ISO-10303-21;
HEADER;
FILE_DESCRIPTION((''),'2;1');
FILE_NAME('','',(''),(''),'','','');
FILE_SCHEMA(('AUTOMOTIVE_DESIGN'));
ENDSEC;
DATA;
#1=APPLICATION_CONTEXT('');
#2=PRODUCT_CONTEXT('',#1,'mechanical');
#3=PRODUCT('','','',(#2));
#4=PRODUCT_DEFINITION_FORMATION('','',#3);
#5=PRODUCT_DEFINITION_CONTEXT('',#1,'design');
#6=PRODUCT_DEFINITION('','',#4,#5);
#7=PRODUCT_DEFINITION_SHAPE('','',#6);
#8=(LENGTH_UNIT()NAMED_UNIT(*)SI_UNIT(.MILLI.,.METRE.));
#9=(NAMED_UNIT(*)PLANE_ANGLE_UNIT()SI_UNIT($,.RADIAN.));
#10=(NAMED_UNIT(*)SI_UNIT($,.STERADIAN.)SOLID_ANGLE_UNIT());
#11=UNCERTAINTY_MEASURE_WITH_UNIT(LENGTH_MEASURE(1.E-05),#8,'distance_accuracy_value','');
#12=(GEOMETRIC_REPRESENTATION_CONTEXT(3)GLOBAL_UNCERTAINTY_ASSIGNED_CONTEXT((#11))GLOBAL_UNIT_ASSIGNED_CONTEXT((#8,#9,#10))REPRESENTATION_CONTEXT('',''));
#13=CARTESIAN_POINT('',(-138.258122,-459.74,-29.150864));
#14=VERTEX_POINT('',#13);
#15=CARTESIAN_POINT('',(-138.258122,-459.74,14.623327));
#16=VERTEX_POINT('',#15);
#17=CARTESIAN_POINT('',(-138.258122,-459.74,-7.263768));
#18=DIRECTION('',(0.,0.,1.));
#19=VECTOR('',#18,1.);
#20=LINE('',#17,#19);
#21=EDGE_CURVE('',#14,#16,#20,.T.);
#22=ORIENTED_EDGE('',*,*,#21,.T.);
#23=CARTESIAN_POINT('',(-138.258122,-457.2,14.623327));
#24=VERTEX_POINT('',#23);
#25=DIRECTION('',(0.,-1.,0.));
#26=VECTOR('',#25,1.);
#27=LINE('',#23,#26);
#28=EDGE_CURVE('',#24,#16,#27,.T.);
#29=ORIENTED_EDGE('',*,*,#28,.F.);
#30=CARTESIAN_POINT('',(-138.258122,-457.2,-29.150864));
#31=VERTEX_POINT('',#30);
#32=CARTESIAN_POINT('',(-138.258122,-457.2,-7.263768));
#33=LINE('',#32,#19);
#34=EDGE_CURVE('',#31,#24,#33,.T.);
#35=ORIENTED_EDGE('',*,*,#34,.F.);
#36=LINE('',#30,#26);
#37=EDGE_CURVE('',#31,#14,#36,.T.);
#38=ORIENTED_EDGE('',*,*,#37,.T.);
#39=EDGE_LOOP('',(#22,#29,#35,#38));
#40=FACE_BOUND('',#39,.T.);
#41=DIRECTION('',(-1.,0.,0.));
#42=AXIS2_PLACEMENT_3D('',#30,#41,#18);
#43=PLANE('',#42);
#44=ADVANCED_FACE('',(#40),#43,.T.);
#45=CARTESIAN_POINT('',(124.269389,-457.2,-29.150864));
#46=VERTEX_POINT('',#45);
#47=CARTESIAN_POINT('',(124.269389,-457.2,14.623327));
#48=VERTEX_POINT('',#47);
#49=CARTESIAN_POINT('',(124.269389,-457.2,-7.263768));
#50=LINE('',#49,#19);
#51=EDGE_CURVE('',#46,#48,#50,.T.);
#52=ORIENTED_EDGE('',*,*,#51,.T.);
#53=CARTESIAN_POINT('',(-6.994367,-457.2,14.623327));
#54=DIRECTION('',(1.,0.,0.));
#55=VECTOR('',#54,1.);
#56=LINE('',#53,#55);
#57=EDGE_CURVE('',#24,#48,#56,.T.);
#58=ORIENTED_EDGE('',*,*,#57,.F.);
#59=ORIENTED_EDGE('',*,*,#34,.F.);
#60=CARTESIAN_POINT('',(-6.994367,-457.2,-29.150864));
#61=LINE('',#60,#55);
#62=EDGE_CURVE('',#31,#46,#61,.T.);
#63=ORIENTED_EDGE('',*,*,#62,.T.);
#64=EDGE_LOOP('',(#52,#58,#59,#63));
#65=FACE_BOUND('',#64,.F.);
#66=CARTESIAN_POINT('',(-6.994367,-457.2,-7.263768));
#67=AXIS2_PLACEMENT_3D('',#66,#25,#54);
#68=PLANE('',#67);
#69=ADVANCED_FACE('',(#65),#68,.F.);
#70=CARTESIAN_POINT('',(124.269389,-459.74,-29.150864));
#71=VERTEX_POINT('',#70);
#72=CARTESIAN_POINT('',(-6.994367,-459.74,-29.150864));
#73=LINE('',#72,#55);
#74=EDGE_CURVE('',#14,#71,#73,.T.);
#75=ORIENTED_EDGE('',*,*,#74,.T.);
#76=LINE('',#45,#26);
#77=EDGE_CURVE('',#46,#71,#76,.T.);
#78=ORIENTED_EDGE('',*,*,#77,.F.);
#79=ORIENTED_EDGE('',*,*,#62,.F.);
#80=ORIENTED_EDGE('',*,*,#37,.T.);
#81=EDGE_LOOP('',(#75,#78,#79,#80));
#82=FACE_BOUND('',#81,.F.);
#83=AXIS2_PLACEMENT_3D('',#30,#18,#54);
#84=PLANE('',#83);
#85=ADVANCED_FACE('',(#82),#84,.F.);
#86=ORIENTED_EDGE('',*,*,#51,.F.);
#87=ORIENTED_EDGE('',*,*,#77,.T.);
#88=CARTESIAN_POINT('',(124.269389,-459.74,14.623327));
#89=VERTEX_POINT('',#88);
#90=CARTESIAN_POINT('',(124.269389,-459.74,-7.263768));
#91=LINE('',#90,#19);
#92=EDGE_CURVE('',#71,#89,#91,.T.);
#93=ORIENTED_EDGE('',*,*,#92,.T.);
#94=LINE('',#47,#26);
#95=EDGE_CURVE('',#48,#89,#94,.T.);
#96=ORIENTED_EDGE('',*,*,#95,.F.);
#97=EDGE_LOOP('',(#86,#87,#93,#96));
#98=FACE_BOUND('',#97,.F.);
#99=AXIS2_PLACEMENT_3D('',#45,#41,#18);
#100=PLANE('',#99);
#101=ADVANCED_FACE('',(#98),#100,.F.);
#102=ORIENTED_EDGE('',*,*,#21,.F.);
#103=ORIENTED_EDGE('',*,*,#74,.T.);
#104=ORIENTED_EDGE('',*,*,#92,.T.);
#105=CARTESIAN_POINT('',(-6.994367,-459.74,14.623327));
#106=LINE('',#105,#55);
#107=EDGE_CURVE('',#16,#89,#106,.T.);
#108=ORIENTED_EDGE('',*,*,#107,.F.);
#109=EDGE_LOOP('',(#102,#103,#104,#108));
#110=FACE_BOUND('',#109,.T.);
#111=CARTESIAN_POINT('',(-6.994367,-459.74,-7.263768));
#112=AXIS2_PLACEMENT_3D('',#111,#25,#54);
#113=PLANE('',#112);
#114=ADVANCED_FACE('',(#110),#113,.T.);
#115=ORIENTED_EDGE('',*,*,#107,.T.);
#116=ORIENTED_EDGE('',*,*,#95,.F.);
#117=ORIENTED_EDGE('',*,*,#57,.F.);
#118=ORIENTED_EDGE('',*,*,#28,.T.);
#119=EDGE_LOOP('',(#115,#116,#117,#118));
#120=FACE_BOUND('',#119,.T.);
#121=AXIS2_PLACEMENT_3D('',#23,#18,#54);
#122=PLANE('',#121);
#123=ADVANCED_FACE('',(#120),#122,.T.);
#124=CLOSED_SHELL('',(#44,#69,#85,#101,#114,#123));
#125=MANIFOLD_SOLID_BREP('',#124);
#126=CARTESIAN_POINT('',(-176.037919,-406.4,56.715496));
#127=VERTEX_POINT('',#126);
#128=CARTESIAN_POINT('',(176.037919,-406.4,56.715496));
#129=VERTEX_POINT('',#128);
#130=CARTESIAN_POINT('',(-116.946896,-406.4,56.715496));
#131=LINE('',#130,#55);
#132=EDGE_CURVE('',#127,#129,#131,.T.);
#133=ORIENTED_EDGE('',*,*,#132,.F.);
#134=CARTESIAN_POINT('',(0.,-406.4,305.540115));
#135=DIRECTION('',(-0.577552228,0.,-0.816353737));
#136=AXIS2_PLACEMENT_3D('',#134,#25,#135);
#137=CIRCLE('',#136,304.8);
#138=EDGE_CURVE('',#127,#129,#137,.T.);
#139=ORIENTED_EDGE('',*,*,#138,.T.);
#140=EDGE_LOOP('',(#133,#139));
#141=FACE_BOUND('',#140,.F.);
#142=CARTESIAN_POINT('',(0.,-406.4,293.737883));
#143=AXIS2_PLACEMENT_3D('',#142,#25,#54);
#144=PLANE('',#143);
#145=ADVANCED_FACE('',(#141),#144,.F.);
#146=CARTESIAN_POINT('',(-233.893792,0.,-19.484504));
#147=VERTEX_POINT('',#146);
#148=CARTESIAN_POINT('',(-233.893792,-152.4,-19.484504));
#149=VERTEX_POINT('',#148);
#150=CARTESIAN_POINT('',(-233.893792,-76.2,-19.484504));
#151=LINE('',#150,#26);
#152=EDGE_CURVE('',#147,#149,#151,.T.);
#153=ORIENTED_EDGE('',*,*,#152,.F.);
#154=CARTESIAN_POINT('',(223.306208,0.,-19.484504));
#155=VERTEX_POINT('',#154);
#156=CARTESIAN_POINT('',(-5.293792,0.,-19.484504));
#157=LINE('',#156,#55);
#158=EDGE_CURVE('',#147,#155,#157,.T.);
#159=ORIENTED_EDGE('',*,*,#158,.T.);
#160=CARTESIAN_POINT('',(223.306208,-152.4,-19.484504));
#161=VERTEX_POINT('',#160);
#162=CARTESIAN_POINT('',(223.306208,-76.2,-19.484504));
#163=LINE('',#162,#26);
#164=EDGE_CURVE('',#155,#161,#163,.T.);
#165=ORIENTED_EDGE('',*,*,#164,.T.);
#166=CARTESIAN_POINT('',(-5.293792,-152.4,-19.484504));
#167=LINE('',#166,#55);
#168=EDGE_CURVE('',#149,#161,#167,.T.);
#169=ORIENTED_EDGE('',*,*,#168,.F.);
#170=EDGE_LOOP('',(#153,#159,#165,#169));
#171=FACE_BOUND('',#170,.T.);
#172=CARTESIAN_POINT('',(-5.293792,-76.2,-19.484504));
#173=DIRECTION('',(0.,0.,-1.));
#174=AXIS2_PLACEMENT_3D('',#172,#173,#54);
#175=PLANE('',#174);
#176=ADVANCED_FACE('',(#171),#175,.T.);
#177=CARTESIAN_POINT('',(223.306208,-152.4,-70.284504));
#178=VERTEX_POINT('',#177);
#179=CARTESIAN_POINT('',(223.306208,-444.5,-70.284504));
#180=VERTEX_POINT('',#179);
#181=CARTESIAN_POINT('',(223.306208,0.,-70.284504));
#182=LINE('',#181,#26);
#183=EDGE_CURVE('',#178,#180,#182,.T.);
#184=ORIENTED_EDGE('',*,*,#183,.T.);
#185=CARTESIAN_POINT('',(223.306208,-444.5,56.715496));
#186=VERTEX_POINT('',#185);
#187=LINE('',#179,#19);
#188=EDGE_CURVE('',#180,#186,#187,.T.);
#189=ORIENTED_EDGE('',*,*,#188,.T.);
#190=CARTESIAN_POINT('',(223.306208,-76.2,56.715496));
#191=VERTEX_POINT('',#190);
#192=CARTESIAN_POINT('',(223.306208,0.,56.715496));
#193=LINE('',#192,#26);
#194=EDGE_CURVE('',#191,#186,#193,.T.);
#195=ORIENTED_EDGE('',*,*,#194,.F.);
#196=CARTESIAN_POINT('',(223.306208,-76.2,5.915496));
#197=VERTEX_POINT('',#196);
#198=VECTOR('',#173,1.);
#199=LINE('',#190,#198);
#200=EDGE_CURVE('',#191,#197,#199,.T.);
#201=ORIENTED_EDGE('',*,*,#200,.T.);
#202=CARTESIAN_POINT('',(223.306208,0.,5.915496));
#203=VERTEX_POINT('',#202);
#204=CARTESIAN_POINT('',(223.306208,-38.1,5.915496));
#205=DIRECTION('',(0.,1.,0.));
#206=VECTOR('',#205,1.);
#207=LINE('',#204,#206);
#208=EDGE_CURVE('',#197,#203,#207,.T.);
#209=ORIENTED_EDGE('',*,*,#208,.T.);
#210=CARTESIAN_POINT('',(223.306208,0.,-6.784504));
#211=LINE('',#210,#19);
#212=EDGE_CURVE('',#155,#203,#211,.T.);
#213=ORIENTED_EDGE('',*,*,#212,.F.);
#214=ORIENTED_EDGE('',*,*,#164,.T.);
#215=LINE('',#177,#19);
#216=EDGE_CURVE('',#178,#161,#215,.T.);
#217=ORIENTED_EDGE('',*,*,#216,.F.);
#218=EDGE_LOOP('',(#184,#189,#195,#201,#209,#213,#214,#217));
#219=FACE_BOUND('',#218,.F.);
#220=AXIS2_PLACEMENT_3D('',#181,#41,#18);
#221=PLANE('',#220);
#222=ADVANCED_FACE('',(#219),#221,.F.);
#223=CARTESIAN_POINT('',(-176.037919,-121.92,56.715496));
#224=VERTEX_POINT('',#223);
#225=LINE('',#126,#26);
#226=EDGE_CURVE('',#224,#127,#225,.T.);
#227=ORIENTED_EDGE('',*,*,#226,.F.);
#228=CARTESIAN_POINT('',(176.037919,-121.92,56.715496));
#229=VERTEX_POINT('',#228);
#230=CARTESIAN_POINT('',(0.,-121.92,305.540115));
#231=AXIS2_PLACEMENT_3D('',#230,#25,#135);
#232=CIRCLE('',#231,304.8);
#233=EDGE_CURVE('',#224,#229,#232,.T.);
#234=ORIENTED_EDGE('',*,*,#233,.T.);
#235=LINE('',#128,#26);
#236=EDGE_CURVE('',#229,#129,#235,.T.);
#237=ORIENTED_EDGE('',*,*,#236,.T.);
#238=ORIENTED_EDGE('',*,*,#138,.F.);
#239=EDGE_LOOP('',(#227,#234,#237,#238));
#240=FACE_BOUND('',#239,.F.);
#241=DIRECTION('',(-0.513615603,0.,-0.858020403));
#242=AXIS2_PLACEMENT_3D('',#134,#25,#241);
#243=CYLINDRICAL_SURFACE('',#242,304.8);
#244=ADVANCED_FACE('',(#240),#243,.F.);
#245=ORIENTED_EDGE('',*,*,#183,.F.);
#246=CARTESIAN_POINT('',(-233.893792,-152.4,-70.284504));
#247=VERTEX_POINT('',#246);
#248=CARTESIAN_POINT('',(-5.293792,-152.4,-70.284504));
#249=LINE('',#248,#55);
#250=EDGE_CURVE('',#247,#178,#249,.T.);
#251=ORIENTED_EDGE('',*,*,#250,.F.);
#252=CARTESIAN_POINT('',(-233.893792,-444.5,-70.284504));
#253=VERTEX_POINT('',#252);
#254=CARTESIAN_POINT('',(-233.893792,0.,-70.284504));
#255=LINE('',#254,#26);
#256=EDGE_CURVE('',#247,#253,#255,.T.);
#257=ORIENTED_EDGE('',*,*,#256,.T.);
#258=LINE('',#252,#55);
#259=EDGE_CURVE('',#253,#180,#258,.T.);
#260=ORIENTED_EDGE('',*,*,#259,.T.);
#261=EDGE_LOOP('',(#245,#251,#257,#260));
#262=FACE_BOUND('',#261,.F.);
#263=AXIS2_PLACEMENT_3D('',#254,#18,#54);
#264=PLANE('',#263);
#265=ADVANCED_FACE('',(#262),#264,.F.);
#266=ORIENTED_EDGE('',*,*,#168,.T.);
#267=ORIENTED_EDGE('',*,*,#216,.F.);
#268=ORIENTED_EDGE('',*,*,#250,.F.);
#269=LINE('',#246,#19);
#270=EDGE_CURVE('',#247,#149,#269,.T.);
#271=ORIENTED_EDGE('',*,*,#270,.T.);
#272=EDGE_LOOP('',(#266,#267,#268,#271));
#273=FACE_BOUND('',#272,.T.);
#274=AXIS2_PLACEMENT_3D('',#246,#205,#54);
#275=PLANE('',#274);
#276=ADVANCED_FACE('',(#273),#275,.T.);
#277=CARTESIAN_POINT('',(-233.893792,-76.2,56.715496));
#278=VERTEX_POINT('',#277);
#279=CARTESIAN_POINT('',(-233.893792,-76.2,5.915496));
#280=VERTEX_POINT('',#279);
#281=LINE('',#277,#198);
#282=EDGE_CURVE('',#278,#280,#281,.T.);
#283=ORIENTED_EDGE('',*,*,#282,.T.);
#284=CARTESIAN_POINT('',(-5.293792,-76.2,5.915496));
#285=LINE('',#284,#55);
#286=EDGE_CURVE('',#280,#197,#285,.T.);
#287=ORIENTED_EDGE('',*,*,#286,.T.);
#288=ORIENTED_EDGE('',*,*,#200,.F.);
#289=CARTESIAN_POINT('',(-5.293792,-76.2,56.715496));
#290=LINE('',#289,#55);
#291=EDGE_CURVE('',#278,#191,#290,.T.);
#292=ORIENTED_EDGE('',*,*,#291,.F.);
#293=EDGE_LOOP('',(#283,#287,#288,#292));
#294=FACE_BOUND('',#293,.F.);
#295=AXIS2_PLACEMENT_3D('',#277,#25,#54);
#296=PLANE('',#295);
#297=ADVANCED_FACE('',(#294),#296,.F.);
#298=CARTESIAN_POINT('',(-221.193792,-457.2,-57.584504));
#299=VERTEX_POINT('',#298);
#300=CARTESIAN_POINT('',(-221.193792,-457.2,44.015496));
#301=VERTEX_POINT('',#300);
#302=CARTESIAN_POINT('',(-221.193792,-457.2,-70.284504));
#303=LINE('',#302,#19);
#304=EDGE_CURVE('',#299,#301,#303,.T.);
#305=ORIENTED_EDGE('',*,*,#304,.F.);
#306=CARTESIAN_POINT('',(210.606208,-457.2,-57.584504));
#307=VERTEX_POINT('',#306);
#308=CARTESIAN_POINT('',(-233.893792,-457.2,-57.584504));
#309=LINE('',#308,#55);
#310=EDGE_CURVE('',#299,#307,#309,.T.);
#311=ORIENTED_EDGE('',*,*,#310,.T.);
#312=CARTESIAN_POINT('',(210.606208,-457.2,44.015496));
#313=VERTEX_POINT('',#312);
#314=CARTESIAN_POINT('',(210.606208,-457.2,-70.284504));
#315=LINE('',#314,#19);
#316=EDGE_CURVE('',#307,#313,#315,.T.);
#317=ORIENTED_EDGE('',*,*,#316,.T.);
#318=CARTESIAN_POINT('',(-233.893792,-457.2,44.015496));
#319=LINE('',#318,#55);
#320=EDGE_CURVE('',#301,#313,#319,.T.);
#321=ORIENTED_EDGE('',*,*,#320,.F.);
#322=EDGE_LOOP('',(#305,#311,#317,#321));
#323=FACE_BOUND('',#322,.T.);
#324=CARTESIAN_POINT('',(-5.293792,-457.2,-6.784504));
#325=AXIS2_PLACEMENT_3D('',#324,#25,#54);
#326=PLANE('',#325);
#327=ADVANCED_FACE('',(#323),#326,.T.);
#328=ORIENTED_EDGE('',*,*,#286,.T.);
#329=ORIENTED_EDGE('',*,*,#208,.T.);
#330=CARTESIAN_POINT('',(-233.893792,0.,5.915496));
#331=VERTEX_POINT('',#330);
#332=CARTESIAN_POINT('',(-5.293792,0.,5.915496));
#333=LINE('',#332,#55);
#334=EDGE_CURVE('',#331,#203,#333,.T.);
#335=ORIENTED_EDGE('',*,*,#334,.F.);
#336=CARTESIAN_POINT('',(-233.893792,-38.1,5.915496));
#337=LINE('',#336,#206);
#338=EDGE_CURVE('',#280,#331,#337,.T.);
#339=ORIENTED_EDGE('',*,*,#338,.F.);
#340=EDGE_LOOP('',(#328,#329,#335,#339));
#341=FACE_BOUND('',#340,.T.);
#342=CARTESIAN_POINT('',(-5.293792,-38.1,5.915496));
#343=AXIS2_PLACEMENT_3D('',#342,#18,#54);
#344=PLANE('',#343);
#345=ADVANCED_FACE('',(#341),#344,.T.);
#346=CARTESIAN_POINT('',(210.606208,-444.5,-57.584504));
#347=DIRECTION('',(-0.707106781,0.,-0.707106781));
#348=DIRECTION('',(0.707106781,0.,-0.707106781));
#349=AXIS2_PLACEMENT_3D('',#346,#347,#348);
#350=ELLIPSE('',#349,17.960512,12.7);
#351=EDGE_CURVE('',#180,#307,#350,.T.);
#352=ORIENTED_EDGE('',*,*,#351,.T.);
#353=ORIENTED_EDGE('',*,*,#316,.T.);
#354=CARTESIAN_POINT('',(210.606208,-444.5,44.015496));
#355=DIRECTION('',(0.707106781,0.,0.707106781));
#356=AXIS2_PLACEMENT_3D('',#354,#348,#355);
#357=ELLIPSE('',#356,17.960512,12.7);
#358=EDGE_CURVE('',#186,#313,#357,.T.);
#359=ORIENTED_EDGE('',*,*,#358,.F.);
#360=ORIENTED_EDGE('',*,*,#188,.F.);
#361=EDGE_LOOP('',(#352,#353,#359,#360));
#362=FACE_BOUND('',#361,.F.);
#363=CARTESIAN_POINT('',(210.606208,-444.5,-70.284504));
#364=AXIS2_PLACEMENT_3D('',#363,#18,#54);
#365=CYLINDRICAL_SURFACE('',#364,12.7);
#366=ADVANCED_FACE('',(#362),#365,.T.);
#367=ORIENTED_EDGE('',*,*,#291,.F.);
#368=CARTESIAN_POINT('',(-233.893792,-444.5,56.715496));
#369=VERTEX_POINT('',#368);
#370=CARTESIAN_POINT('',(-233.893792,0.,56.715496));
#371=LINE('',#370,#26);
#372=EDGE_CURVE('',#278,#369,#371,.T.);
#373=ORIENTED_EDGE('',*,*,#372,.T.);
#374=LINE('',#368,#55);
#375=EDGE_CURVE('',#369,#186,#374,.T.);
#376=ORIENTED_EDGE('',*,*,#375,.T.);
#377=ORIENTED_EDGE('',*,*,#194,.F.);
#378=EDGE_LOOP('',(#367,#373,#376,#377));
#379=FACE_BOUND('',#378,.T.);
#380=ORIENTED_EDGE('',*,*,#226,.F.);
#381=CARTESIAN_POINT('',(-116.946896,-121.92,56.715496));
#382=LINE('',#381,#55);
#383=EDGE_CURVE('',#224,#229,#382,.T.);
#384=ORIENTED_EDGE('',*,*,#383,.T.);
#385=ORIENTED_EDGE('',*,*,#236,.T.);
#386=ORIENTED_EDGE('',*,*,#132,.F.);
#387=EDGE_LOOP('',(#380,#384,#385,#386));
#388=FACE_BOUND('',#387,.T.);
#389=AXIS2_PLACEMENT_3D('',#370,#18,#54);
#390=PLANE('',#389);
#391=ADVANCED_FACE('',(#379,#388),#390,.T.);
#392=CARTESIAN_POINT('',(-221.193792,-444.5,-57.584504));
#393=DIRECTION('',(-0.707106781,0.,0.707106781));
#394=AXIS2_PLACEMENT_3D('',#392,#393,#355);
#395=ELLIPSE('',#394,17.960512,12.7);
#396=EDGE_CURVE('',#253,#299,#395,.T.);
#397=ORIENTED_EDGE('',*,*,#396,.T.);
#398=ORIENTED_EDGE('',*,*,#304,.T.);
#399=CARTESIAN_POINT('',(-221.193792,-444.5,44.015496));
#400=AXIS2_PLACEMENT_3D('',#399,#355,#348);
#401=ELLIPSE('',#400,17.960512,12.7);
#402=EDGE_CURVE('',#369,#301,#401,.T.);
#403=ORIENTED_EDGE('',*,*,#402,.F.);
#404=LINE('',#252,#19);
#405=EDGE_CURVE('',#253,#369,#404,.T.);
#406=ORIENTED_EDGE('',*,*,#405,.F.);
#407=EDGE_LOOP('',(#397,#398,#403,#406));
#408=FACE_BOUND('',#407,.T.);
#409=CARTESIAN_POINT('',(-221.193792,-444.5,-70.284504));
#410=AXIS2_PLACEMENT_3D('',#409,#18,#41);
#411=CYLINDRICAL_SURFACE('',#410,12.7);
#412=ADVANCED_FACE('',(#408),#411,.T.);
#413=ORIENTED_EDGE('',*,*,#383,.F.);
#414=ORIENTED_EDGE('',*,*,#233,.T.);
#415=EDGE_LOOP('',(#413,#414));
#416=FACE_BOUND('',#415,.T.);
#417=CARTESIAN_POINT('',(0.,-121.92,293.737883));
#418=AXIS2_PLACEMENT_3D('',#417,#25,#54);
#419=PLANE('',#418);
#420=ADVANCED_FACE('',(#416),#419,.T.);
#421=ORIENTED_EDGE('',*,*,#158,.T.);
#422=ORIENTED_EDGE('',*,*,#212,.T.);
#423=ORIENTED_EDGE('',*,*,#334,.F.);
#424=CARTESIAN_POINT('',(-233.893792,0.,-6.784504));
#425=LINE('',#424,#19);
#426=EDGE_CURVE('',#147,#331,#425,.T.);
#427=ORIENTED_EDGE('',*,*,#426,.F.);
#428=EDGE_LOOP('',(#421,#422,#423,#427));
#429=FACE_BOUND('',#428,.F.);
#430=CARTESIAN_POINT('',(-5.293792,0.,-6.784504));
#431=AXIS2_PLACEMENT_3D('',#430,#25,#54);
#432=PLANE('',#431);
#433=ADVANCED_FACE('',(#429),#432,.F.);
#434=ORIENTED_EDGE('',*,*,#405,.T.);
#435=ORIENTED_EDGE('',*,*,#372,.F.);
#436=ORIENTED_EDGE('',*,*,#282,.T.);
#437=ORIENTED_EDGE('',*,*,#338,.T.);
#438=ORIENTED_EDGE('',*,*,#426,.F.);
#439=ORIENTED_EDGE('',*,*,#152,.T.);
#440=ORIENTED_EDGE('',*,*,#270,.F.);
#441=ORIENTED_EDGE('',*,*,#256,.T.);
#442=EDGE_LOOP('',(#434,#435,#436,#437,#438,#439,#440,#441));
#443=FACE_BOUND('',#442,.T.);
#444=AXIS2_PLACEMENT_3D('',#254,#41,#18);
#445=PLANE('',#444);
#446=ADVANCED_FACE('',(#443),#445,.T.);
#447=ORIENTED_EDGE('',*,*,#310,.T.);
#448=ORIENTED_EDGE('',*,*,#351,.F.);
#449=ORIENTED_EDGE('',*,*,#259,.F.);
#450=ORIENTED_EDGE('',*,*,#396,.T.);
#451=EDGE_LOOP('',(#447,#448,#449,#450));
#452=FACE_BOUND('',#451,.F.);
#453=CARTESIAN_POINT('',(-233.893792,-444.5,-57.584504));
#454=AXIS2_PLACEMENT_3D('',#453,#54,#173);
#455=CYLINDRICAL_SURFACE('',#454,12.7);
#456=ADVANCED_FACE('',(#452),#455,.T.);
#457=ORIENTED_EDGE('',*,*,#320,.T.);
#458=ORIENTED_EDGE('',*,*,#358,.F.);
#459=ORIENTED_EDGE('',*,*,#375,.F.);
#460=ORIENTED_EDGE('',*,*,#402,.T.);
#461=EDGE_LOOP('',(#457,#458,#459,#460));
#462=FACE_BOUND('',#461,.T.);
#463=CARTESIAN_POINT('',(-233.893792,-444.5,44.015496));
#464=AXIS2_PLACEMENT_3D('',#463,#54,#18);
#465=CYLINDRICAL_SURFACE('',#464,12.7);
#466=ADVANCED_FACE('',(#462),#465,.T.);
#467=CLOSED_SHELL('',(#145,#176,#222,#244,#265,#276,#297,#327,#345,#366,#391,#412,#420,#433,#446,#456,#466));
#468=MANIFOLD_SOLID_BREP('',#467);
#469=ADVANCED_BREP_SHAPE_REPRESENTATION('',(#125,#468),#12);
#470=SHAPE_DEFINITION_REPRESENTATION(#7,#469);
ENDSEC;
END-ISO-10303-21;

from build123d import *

# Parameters (mm, degrees)
F0_W      = 457.2
F0_H      = 127
F1_DEPTH  = 457.2
F2_R      = 12.7
F3_W      = 457.2
F3_H      = 76.2
F4_DEPTH  = 50.8
F6_START  = -50.8
F6_DEPTH  = 284.48
F7_W      = 262.5275105238
F7_H      = 43.7741912901
F8_DEPTH  = 2.54
F9_W      = 457.2
F9_H      = 152.4
F10_DEPTH = 50.8


with BuildPart() as f1:
    # F0 (on Front) → F1 (new body)
    with BuildSketch(Plane.XZ):
        with Locations((-5.2937921137, -6.7845043319)):
            Rectangle(F0_W, F0_H)
    extrude(amount=F1_DEPTH)

    # F2
    f2_edges = [f1.edges().sort_by_distance(p)[0] for p in [
        (-5.293792, -457.2, 56.715496),
        (-233.893792, -457.2, -6.784504),
        (-5.293792, -457.2, -70.284504),
        (223.306208, -457.2, -6.784504),
    ]]
    fillet(f2_edges, radius=F2_R)

    # F3 (on face) → F4 (cut)
    with BuildSketch(Plane.XY.offset(56.7154956681)):
        with Locations((-5.2937921137, -38.1)):
            Rectangle(F3_W, F3_H)
    extrude(amount=-F4_DEPTH, mode=Mode.SUBTRACT)

    # F5 (on face) → F6 (cut)
    with BuildSketch(Plane.XZ.offset(457.2).offset(F6_START)):
        with BuildLine():
            ThreePointArc((156.5500356786, 44.0154956681), (265.1598488411, 155.2294544651), (304.8, 305.5401146412))
            ThreePointArc((304.8, 305.5401146412), (-150.3106601761, 570.6999634823), (-156.5500356786, 44.0154956681))
            Line((-156.5500356786, 44.0154956681), (156.5500356786, 44.0154956681))
        make_face()
        with BuildLine():
            Line((156.5500356786, 44.0154956681), (-156.5500356786, 44.0154956681))
            ThreePointArc((-156.5500356786, 44.0154956681), (0, 0.7401146412), (156.5500356786, 44.0154956681))
        make_face()
    extrude(amount=-F6_DEPTH, mode=Mode.SUBTRACT)

    # F9 (on face) → F10 (cut)
    with BuildSketch(Plane(origin=(0, 0, -70.2845043319), x_dir=(1, 0, 0), z_dir=(0, 0, -1))):
        with Locations((-5.2937921137, 76.2)):
            Rectangle(F9_W, F9_H)
    extrude(amount=-F10_DEPTH, mode=Mode.SUBTRACT)


with BuildPart() as f8:
    # F7 (on face) → F8 (new body)
    with BuildSketch(Plane.XZ.offset(457.2)):
        with Locations((-6.9943666458, -7.2637684643)):
            Rectangle(F7_W, F7_H)
    extrude(amount=F8_DEPTH)


solid = Compound([f1.part, f8.part])
